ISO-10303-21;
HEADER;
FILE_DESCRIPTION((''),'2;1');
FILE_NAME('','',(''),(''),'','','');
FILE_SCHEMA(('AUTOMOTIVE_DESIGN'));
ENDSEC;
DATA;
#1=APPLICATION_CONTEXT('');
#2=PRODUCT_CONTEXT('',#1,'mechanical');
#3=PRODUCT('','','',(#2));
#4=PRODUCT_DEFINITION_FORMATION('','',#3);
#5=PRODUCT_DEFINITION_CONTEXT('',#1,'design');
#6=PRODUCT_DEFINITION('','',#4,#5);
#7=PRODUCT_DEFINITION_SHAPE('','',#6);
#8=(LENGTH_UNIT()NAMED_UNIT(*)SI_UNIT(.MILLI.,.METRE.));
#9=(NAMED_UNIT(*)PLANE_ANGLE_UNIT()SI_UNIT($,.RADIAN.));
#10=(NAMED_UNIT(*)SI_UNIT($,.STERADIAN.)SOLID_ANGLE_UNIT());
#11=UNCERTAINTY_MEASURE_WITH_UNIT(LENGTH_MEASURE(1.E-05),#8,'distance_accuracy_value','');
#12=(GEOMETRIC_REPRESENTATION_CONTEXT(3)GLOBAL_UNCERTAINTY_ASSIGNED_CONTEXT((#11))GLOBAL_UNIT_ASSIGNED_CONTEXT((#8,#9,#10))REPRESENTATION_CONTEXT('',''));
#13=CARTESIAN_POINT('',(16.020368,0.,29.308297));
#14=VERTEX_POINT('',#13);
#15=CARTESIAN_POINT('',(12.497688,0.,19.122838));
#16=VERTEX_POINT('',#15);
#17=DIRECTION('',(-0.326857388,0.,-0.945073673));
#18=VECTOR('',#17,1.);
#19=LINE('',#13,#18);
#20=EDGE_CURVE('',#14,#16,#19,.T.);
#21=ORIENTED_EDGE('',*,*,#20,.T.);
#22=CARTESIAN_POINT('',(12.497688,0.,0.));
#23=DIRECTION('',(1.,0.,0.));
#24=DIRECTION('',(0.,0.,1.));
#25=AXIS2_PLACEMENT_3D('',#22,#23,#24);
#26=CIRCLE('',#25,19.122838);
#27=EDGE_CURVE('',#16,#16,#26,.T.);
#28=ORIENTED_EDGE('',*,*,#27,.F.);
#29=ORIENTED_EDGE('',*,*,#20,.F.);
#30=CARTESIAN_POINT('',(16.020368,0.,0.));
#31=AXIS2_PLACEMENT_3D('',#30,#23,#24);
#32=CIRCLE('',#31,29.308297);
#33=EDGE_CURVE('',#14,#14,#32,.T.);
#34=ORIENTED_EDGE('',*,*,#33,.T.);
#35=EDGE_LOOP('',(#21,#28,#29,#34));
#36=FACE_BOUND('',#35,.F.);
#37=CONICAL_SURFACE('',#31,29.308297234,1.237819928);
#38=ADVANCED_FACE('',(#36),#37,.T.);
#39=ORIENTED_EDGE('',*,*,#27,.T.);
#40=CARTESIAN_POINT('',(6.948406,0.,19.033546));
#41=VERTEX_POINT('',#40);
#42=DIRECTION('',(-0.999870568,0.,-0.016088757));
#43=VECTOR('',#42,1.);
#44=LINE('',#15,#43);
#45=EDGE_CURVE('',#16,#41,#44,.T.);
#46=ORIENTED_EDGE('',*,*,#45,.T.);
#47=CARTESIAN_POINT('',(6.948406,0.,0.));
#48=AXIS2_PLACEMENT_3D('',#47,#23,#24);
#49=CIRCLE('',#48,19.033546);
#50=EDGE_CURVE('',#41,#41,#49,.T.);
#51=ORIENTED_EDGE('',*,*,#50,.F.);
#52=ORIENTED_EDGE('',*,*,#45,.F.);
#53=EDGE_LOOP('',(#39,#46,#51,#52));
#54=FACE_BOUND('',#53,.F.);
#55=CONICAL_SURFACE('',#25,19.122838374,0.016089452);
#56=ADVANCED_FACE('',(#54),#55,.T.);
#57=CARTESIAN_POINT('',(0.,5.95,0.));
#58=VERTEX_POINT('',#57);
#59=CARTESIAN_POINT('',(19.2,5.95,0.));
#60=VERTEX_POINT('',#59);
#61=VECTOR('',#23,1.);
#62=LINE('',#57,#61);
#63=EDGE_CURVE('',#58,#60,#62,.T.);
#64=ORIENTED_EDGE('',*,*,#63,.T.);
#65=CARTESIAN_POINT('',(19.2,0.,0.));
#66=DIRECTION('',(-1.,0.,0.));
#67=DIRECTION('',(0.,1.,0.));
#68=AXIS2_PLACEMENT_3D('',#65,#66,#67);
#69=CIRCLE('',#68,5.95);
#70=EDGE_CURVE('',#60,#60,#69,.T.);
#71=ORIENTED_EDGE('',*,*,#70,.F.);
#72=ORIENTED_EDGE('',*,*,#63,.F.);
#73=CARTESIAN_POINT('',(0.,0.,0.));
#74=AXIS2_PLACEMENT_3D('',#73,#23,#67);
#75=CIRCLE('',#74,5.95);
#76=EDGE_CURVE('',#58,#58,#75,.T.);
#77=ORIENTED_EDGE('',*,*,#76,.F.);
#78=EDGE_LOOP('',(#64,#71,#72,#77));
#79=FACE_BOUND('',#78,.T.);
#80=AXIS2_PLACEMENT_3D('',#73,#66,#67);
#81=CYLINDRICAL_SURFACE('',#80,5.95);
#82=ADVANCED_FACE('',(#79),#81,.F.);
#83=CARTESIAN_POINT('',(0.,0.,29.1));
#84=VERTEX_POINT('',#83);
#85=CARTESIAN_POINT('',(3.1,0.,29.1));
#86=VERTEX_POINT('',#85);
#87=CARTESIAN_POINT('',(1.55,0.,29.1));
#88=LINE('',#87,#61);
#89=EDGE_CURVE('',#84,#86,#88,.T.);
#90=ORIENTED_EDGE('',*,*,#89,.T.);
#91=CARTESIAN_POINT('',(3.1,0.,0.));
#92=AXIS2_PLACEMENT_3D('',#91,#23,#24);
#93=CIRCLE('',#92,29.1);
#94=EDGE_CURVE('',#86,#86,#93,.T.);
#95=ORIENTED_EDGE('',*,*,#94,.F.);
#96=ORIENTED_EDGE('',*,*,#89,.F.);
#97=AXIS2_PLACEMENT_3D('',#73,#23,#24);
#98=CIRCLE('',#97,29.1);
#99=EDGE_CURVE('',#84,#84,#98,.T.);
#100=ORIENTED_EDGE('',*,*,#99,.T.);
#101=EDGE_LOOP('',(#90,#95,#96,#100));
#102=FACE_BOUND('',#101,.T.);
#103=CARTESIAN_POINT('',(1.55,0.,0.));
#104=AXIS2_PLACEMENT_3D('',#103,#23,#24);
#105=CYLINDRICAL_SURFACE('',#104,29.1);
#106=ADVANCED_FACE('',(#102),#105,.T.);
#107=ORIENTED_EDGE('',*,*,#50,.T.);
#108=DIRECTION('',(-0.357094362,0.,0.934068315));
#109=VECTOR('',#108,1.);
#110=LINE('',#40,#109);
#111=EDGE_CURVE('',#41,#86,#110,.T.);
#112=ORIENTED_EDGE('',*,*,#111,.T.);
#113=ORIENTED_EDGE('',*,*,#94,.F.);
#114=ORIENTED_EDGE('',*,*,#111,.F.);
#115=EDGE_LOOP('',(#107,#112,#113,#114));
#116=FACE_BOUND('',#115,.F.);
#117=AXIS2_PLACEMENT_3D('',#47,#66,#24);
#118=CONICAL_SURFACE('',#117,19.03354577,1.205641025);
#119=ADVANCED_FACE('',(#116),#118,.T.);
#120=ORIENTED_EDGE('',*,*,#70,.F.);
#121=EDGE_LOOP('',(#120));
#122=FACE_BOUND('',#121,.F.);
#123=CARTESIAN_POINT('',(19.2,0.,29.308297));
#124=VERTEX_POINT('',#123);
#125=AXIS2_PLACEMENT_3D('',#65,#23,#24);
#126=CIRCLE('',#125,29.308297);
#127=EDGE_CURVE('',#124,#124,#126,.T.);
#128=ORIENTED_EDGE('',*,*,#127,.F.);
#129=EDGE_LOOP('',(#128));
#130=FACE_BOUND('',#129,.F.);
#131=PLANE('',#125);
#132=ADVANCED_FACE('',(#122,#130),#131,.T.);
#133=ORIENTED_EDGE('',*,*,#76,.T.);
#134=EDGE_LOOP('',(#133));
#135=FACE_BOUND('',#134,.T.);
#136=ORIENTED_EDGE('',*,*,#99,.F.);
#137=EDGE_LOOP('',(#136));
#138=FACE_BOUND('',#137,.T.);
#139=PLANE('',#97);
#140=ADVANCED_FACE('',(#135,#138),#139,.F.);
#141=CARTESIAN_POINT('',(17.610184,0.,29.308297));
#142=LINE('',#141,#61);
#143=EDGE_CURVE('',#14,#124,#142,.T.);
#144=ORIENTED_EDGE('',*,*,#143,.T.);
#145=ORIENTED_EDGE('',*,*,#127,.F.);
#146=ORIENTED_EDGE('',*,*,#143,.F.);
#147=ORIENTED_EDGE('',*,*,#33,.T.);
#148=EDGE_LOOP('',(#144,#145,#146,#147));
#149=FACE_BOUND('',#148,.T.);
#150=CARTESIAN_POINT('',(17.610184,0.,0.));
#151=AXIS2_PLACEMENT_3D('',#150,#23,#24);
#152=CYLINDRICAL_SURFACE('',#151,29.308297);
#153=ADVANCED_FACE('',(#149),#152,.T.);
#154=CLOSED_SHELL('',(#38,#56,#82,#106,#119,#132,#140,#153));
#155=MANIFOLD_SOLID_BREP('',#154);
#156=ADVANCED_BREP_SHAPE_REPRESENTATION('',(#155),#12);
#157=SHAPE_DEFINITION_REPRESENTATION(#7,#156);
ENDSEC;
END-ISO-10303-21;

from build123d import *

# Parameters (mm, degrees)
F0_W     = 3.1
F0_H     = 29.1
F0_W_2   = 3.1796320426
F0_H_2   = 29.3082972342
F2_R     = 5.95
F3_DEPTH = 25


with BuildPart() as f1:
    # F0 (on Front) → F1 (revolve)
    with BuildSketch(Plane.XZ):
        with Locations((1.55, 14.55)):
            Rectangle(F0_W, F0_H)
        Polygon((3.1, 29.1), (3.1, 0), (6.9484059341, 0), (6.9484059341, 19.0335457699), align=None)
        Polygon((6.9484059341, 19.0335457699), (6.9484059341, 0), (12.497687584, 0), (12.497687584, 19.122838374), align=None)
        Polygon((12.497687584, 19.122838374), (12.497687584, 0), (16.0203679574, 0), (16.0203679574, 29.3082972342), align=None)
        with Locations((17.6101839787, 14.6541486171)):
            Rectangle(F0_W_2, F0_H_2)
    revolve(axis=Axis((9.6, 0, 0), (1, 0, 0)))

    # F2 (on Right) → F3 (cut)
    with BuildSketch(Plane.YZ):
        Circle(F2_R)
    extrude(amount=F3_DEPTH, mode=Mode.SUBTRACT)


solid = f1.part
